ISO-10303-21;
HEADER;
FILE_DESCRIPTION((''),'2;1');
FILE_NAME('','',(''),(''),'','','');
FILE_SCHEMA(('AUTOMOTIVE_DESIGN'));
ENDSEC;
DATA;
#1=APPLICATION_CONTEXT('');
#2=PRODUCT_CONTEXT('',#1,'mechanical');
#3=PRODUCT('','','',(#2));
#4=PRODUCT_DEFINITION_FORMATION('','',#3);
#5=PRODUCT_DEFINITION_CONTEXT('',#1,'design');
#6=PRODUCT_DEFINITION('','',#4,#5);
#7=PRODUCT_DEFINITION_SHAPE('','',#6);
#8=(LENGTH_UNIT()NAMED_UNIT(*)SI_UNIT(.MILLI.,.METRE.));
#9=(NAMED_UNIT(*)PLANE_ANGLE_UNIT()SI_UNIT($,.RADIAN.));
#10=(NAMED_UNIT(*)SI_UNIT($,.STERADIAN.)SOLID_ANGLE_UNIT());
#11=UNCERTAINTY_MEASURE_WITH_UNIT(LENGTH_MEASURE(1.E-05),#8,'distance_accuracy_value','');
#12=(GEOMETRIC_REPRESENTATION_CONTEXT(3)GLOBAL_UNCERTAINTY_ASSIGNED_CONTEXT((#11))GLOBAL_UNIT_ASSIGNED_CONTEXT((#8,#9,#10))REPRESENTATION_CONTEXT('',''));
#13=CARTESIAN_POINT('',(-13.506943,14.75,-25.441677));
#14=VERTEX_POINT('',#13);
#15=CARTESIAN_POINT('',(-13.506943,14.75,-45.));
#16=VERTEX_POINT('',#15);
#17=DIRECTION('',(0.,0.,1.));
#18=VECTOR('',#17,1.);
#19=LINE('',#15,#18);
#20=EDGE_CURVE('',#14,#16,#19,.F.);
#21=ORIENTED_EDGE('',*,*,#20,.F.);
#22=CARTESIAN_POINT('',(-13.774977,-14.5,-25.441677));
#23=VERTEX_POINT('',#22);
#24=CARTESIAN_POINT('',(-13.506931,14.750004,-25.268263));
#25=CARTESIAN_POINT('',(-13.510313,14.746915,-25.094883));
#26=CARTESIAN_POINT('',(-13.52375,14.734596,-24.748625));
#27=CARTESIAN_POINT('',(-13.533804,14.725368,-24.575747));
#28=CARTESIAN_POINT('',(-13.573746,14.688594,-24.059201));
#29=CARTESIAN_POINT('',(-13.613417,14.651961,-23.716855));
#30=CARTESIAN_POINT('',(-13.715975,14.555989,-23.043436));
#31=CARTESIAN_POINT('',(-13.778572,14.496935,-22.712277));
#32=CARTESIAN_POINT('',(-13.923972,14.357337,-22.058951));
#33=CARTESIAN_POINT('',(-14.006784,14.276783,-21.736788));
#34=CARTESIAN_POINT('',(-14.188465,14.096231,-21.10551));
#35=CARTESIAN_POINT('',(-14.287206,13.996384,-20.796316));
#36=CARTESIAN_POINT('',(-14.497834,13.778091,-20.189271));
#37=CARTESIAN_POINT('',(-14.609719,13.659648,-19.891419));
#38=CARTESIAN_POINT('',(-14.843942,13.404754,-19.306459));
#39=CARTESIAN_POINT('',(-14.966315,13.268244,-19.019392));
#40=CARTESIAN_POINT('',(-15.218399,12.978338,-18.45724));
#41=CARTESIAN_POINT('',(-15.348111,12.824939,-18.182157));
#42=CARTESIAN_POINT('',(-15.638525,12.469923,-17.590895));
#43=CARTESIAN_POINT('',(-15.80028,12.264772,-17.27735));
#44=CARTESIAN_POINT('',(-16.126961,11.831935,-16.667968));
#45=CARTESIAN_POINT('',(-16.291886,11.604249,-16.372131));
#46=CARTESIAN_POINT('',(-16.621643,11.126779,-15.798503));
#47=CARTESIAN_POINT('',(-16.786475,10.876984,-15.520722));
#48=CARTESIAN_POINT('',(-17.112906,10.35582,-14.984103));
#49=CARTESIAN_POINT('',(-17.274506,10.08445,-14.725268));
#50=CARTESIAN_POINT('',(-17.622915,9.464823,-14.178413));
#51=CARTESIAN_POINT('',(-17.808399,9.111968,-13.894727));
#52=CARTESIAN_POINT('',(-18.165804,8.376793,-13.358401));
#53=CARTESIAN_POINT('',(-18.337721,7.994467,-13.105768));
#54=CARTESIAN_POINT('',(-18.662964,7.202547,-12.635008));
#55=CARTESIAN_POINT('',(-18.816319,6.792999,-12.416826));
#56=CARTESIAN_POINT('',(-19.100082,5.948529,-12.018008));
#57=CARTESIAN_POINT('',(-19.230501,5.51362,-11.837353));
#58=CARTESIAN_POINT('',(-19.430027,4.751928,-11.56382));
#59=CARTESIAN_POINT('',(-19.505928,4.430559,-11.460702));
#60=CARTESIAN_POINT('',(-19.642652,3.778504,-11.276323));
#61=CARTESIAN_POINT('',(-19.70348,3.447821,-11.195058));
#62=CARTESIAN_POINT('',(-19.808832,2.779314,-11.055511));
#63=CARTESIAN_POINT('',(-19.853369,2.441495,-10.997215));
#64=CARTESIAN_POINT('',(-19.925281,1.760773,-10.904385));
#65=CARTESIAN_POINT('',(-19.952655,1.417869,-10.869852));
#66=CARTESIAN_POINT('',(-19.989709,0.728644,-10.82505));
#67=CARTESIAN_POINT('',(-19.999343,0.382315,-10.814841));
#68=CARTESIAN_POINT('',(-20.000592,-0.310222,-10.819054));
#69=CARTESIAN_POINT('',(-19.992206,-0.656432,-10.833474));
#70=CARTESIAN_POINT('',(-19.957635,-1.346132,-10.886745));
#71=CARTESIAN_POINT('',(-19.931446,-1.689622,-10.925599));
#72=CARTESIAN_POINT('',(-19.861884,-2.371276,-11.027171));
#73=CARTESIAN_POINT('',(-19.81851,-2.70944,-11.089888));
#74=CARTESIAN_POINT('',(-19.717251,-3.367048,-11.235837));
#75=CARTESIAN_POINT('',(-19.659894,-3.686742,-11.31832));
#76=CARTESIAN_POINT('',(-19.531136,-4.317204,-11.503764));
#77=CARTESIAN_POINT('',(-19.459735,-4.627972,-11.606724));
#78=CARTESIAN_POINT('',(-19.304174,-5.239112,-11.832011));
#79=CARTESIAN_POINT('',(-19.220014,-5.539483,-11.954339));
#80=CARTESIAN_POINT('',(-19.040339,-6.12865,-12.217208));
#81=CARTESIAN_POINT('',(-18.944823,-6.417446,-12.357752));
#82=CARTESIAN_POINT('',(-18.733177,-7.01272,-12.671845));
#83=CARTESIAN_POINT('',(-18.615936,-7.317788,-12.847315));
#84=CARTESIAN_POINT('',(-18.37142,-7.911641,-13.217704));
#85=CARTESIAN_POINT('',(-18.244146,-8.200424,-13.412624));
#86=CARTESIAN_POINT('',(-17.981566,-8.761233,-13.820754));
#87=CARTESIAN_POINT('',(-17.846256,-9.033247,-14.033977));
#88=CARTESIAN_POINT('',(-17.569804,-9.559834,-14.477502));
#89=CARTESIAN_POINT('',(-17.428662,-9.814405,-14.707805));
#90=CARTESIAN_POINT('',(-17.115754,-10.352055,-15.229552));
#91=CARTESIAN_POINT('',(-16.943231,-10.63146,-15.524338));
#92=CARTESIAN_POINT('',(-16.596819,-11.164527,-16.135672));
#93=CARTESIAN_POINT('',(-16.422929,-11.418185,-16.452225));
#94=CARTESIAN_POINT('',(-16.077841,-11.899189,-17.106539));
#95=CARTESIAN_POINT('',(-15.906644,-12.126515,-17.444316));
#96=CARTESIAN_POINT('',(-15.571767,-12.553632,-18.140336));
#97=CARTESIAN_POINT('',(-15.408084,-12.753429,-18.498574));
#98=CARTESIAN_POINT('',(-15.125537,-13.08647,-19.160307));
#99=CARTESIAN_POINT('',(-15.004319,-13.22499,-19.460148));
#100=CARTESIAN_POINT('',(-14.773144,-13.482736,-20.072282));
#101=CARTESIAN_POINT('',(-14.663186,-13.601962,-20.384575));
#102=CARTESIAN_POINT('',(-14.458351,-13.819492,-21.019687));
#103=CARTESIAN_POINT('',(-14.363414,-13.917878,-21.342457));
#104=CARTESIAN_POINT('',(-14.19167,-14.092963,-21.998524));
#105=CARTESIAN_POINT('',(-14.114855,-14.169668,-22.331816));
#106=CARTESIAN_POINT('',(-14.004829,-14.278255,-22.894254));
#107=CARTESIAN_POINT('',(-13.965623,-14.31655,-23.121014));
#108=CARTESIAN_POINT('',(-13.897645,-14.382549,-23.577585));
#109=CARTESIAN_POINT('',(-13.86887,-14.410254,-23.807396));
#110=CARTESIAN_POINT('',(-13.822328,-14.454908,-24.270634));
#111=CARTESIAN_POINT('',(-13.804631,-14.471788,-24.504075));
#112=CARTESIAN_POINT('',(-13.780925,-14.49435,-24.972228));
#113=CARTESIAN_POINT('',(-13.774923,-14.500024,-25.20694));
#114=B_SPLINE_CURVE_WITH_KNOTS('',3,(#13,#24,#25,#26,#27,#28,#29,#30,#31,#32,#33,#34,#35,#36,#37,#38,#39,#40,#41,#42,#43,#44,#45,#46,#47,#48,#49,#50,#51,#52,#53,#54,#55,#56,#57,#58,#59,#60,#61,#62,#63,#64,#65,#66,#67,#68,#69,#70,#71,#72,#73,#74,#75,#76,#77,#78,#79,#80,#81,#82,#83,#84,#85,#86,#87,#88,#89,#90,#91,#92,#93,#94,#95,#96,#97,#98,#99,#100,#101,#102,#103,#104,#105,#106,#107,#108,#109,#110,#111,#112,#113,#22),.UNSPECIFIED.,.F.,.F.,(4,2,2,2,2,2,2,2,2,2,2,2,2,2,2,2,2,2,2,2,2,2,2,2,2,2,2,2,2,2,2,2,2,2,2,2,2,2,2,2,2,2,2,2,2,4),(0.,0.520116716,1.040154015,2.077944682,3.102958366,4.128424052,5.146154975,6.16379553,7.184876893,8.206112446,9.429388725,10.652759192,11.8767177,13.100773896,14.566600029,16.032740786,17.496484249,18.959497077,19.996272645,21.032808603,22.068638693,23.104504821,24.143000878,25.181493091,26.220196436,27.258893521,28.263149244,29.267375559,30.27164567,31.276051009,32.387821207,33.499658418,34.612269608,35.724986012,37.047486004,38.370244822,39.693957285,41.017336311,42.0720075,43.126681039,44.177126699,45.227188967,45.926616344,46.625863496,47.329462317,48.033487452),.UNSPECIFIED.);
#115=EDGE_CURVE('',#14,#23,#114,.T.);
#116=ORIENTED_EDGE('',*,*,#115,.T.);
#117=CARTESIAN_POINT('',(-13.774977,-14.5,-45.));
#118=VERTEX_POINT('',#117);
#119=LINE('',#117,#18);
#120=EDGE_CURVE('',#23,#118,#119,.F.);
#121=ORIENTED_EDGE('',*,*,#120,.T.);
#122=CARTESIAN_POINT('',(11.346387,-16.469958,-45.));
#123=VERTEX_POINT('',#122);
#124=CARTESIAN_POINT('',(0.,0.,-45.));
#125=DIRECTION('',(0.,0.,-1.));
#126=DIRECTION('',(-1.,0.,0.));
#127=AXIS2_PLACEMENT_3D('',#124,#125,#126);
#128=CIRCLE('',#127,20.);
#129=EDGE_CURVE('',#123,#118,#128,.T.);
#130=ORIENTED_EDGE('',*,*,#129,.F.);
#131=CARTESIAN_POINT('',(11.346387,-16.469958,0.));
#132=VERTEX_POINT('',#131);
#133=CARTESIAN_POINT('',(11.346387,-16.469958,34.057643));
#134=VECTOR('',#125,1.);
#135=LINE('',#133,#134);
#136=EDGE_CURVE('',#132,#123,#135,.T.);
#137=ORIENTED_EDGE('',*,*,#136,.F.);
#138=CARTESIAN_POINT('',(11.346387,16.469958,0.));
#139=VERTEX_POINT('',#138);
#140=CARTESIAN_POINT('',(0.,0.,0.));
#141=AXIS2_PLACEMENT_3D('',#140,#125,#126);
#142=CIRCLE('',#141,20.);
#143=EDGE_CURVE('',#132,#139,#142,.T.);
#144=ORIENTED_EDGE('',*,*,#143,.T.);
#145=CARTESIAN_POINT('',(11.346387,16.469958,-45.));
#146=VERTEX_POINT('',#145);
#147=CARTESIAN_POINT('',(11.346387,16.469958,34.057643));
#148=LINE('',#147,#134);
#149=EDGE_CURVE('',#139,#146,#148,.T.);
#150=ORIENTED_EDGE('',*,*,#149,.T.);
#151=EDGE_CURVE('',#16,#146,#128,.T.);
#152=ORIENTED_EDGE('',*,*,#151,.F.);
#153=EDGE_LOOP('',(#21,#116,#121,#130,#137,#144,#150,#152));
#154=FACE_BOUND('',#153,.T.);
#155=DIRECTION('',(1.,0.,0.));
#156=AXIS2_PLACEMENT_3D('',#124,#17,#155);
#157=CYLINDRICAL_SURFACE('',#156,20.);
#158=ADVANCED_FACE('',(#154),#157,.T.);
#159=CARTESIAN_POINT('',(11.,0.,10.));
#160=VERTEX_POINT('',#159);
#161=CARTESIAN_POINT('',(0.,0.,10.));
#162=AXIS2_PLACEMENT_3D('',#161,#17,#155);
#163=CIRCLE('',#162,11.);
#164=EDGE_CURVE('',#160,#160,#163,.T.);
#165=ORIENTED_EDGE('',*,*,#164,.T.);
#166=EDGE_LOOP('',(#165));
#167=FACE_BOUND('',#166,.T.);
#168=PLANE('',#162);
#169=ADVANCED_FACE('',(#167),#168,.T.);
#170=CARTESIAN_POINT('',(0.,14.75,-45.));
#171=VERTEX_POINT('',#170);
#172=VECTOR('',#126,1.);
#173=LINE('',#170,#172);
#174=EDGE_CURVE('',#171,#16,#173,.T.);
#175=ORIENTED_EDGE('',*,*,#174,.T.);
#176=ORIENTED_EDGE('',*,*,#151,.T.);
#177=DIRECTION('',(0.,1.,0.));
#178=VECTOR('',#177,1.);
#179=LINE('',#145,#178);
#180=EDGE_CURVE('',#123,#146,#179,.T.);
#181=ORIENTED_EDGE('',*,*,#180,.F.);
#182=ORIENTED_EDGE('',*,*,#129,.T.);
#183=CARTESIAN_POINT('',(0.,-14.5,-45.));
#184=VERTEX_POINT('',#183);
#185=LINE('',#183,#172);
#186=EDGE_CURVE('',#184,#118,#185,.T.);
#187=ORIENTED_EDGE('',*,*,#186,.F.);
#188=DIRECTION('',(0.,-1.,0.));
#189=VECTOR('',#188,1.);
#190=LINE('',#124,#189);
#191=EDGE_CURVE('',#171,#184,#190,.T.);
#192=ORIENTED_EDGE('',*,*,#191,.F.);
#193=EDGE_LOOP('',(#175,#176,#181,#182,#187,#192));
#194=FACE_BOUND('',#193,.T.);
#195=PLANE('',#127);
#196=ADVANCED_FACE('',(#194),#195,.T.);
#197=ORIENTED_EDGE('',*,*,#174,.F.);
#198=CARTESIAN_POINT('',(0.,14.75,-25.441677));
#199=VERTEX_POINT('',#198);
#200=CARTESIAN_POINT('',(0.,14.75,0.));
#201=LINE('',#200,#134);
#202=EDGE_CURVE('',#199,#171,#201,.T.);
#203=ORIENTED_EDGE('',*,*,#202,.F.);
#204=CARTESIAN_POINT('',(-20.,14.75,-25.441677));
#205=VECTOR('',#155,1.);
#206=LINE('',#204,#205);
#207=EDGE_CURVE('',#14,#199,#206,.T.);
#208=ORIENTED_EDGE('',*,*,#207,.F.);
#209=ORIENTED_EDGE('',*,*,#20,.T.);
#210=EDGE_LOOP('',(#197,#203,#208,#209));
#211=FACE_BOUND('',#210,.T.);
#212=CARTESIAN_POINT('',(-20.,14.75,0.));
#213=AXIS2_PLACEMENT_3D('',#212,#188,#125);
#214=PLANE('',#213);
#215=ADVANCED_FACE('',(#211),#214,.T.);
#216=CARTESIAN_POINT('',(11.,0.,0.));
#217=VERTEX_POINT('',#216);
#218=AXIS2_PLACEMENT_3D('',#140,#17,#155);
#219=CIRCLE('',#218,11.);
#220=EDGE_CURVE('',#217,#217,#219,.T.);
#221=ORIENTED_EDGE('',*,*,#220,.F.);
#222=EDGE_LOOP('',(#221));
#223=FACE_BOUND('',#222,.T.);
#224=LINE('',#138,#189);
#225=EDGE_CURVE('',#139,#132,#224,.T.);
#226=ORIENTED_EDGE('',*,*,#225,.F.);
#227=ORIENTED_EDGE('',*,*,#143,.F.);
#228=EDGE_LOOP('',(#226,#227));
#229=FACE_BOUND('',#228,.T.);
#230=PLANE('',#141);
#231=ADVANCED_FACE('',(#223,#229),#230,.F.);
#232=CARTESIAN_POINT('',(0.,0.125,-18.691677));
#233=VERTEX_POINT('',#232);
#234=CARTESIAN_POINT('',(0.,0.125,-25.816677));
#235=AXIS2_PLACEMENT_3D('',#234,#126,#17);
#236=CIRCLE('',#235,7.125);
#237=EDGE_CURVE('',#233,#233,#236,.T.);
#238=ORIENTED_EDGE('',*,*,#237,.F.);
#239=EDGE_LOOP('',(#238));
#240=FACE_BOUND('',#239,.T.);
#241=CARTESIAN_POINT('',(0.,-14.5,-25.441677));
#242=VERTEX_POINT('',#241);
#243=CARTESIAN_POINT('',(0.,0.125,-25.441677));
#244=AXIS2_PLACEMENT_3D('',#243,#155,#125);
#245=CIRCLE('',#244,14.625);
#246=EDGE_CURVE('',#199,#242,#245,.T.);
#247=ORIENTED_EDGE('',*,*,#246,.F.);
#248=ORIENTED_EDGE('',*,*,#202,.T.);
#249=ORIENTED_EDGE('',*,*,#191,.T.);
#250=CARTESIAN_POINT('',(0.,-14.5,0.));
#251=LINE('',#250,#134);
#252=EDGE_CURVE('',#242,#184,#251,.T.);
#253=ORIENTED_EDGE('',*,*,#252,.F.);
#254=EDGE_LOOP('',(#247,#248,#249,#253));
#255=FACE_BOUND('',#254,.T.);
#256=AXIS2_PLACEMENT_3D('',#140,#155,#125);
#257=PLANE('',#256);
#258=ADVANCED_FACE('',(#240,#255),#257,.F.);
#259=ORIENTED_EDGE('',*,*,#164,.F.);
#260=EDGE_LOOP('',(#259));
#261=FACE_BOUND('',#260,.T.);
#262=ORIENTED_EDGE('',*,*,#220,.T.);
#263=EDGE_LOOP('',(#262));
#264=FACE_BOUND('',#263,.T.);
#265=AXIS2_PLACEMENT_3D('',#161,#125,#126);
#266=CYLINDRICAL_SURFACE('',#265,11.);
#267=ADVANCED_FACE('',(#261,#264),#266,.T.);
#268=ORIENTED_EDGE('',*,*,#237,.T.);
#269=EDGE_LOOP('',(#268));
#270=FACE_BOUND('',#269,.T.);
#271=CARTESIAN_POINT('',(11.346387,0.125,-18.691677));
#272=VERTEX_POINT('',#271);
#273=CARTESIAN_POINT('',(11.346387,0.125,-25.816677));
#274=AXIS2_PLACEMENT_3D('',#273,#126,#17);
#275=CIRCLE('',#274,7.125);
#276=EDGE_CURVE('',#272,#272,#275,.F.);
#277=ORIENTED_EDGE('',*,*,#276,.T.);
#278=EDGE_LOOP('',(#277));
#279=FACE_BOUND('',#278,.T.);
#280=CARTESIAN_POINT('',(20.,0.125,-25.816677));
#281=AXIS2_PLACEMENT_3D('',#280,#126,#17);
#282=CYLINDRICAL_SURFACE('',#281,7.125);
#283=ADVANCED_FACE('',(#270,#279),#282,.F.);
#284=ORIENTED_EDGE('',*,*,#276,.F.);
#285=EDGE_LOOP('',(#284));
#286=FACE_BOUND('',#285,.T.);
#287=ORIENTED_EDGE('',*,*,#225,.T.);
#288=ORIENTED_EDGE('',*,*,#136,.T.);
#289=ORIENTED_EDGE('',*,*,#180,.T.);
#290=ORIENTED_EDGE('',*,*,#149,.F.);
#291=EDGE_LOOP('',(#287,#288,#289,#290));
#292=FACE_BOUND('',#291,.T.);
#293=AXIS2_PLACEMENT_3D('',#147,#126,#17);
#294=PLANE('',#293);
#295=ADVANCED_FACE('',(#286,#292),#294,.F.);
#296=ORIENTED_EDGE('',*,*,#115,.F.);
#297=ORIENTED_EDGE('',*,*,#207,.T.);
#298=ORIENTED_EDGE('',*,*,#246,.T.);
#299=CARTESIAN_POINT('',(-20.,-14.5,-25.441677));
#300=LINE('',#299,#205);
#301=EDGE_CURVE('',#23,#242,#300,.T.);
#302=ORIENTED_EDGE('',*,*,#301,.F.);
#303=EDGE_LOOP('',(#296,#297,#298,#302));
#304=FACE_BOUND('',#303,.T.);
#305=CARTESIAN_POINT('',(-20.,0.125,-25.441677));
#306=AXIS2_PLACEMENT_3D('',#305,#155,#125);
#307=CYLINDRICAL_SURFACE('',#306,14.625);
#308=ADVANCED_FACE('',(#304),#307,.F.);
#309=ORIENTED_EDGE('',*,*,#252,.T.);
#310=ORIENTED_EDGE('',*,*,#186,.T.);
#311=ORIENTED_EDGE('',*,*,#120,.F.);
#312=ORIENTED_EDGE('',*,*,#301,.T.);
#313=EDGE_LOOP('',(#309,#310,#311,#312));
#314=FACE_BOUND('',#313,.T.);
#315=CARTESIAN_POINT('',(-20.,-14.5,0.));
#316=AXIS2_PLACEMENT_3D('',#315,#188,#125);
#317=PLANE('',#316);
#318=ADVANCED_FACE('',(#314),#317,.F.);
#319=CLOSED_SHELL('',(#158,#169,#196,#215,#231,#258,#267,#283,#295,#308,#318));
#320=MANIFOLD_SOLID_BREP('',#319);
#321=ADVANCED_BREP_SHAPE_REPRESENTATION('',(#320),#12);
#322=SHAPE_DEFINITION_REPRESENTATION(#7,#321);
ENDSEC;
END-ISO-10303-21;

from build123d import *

# Parameters (mm, degrees)
SKETCH1_R           = 11
BOSS_EXTRUDE1_DEPTH = 10
SKETCH2_R           = 20
BOSS_EXTRUDE2_DEPTH = 45
CUT_EXTRUDE1_DEPTH  = 54.150729064
SKETCH5_R           = 7.125
CUT_EXTRUDE2_DEPTH  = 54.150729224
CUT_EXTRUDE3_START  = -45
CUT_EXTRUDE3_DEPTH  = 45


with BuildPart() as part:
    # Sketch1 → Boss-Extrude1 (new body)
    with BuildSketch(Plane.XY):
        Circle(SKETCH1_R)
    extrude(amount=BOSS_EXTRUDE1_DEPTH)

    # Sketch2 → Boss-Extrude2 (add)
    with BuildSketch(Plane(origin=(0, 0, 0), x_dir=(-1, 0, 0), z_dir=(0, 0, -1))):
        with Locations(Location((0, 0, 0), (0, 0, 180))):
            Circle(SKETCH2_R)
    extrude(amount=BOSS_EXTRUDE2_DEPTH)

    # Sketch3 → Cut-Extrude1 (cut, through all)
    with BuildSketch(Plane(origin=(0, 0, 0), x_dir=(0, 0, -1), z_dir=(1, 0, 0))):
        with BuildLine():
            Line((75.441676997, 14.75), (25.441676997, 14.75))
            ThreePointArc((25.441676997, 14.75), (10.816676997, 0.125), (25.441676997, -14.5))
            Line((25.441676997, -14.5), (75.441676997, -14.5))
            Line((75.441676997, -14.5), (75.441676997, 14.75))
        make_face()
    extrude(amount=-CUT_EXTRUDE1_DEPTH, mode=Mode.SUBTRACT)

    # Sketch5 → Cut-Extrude2 (cut, through all)
    with BuildSketch(Plane.ZY):
        with Locations((-25.816676997, 0.125)):
            Circle(SKETCH5_R)
    extrude(amount=-CUT_EXTRUDE2_DEPTH, mode=Mode.SUBTRACT)

    # Sketch6 → Cut-Extrude3 (cut)
    with BuildSketch(Plane(origin=(0, 0, -45), x_dir=(-1, 0, 0), z_dir=(0, 0, -1)).offset(CUT_EXTRUDE3_START)):
        with BuildLine():
            Line((-11.346386998, 16.469957562), (-11.346386998, -16.469957562))
            ThreePointArc((-11.346386998, -16.469957562), (-20, 0), (-11.346386998, 16.469957562))
        make_face()
    extrude(amount=CUT_EXTRUDE3_DEPTH, mode=Mode.SUBTRACT)


solid = part.part
